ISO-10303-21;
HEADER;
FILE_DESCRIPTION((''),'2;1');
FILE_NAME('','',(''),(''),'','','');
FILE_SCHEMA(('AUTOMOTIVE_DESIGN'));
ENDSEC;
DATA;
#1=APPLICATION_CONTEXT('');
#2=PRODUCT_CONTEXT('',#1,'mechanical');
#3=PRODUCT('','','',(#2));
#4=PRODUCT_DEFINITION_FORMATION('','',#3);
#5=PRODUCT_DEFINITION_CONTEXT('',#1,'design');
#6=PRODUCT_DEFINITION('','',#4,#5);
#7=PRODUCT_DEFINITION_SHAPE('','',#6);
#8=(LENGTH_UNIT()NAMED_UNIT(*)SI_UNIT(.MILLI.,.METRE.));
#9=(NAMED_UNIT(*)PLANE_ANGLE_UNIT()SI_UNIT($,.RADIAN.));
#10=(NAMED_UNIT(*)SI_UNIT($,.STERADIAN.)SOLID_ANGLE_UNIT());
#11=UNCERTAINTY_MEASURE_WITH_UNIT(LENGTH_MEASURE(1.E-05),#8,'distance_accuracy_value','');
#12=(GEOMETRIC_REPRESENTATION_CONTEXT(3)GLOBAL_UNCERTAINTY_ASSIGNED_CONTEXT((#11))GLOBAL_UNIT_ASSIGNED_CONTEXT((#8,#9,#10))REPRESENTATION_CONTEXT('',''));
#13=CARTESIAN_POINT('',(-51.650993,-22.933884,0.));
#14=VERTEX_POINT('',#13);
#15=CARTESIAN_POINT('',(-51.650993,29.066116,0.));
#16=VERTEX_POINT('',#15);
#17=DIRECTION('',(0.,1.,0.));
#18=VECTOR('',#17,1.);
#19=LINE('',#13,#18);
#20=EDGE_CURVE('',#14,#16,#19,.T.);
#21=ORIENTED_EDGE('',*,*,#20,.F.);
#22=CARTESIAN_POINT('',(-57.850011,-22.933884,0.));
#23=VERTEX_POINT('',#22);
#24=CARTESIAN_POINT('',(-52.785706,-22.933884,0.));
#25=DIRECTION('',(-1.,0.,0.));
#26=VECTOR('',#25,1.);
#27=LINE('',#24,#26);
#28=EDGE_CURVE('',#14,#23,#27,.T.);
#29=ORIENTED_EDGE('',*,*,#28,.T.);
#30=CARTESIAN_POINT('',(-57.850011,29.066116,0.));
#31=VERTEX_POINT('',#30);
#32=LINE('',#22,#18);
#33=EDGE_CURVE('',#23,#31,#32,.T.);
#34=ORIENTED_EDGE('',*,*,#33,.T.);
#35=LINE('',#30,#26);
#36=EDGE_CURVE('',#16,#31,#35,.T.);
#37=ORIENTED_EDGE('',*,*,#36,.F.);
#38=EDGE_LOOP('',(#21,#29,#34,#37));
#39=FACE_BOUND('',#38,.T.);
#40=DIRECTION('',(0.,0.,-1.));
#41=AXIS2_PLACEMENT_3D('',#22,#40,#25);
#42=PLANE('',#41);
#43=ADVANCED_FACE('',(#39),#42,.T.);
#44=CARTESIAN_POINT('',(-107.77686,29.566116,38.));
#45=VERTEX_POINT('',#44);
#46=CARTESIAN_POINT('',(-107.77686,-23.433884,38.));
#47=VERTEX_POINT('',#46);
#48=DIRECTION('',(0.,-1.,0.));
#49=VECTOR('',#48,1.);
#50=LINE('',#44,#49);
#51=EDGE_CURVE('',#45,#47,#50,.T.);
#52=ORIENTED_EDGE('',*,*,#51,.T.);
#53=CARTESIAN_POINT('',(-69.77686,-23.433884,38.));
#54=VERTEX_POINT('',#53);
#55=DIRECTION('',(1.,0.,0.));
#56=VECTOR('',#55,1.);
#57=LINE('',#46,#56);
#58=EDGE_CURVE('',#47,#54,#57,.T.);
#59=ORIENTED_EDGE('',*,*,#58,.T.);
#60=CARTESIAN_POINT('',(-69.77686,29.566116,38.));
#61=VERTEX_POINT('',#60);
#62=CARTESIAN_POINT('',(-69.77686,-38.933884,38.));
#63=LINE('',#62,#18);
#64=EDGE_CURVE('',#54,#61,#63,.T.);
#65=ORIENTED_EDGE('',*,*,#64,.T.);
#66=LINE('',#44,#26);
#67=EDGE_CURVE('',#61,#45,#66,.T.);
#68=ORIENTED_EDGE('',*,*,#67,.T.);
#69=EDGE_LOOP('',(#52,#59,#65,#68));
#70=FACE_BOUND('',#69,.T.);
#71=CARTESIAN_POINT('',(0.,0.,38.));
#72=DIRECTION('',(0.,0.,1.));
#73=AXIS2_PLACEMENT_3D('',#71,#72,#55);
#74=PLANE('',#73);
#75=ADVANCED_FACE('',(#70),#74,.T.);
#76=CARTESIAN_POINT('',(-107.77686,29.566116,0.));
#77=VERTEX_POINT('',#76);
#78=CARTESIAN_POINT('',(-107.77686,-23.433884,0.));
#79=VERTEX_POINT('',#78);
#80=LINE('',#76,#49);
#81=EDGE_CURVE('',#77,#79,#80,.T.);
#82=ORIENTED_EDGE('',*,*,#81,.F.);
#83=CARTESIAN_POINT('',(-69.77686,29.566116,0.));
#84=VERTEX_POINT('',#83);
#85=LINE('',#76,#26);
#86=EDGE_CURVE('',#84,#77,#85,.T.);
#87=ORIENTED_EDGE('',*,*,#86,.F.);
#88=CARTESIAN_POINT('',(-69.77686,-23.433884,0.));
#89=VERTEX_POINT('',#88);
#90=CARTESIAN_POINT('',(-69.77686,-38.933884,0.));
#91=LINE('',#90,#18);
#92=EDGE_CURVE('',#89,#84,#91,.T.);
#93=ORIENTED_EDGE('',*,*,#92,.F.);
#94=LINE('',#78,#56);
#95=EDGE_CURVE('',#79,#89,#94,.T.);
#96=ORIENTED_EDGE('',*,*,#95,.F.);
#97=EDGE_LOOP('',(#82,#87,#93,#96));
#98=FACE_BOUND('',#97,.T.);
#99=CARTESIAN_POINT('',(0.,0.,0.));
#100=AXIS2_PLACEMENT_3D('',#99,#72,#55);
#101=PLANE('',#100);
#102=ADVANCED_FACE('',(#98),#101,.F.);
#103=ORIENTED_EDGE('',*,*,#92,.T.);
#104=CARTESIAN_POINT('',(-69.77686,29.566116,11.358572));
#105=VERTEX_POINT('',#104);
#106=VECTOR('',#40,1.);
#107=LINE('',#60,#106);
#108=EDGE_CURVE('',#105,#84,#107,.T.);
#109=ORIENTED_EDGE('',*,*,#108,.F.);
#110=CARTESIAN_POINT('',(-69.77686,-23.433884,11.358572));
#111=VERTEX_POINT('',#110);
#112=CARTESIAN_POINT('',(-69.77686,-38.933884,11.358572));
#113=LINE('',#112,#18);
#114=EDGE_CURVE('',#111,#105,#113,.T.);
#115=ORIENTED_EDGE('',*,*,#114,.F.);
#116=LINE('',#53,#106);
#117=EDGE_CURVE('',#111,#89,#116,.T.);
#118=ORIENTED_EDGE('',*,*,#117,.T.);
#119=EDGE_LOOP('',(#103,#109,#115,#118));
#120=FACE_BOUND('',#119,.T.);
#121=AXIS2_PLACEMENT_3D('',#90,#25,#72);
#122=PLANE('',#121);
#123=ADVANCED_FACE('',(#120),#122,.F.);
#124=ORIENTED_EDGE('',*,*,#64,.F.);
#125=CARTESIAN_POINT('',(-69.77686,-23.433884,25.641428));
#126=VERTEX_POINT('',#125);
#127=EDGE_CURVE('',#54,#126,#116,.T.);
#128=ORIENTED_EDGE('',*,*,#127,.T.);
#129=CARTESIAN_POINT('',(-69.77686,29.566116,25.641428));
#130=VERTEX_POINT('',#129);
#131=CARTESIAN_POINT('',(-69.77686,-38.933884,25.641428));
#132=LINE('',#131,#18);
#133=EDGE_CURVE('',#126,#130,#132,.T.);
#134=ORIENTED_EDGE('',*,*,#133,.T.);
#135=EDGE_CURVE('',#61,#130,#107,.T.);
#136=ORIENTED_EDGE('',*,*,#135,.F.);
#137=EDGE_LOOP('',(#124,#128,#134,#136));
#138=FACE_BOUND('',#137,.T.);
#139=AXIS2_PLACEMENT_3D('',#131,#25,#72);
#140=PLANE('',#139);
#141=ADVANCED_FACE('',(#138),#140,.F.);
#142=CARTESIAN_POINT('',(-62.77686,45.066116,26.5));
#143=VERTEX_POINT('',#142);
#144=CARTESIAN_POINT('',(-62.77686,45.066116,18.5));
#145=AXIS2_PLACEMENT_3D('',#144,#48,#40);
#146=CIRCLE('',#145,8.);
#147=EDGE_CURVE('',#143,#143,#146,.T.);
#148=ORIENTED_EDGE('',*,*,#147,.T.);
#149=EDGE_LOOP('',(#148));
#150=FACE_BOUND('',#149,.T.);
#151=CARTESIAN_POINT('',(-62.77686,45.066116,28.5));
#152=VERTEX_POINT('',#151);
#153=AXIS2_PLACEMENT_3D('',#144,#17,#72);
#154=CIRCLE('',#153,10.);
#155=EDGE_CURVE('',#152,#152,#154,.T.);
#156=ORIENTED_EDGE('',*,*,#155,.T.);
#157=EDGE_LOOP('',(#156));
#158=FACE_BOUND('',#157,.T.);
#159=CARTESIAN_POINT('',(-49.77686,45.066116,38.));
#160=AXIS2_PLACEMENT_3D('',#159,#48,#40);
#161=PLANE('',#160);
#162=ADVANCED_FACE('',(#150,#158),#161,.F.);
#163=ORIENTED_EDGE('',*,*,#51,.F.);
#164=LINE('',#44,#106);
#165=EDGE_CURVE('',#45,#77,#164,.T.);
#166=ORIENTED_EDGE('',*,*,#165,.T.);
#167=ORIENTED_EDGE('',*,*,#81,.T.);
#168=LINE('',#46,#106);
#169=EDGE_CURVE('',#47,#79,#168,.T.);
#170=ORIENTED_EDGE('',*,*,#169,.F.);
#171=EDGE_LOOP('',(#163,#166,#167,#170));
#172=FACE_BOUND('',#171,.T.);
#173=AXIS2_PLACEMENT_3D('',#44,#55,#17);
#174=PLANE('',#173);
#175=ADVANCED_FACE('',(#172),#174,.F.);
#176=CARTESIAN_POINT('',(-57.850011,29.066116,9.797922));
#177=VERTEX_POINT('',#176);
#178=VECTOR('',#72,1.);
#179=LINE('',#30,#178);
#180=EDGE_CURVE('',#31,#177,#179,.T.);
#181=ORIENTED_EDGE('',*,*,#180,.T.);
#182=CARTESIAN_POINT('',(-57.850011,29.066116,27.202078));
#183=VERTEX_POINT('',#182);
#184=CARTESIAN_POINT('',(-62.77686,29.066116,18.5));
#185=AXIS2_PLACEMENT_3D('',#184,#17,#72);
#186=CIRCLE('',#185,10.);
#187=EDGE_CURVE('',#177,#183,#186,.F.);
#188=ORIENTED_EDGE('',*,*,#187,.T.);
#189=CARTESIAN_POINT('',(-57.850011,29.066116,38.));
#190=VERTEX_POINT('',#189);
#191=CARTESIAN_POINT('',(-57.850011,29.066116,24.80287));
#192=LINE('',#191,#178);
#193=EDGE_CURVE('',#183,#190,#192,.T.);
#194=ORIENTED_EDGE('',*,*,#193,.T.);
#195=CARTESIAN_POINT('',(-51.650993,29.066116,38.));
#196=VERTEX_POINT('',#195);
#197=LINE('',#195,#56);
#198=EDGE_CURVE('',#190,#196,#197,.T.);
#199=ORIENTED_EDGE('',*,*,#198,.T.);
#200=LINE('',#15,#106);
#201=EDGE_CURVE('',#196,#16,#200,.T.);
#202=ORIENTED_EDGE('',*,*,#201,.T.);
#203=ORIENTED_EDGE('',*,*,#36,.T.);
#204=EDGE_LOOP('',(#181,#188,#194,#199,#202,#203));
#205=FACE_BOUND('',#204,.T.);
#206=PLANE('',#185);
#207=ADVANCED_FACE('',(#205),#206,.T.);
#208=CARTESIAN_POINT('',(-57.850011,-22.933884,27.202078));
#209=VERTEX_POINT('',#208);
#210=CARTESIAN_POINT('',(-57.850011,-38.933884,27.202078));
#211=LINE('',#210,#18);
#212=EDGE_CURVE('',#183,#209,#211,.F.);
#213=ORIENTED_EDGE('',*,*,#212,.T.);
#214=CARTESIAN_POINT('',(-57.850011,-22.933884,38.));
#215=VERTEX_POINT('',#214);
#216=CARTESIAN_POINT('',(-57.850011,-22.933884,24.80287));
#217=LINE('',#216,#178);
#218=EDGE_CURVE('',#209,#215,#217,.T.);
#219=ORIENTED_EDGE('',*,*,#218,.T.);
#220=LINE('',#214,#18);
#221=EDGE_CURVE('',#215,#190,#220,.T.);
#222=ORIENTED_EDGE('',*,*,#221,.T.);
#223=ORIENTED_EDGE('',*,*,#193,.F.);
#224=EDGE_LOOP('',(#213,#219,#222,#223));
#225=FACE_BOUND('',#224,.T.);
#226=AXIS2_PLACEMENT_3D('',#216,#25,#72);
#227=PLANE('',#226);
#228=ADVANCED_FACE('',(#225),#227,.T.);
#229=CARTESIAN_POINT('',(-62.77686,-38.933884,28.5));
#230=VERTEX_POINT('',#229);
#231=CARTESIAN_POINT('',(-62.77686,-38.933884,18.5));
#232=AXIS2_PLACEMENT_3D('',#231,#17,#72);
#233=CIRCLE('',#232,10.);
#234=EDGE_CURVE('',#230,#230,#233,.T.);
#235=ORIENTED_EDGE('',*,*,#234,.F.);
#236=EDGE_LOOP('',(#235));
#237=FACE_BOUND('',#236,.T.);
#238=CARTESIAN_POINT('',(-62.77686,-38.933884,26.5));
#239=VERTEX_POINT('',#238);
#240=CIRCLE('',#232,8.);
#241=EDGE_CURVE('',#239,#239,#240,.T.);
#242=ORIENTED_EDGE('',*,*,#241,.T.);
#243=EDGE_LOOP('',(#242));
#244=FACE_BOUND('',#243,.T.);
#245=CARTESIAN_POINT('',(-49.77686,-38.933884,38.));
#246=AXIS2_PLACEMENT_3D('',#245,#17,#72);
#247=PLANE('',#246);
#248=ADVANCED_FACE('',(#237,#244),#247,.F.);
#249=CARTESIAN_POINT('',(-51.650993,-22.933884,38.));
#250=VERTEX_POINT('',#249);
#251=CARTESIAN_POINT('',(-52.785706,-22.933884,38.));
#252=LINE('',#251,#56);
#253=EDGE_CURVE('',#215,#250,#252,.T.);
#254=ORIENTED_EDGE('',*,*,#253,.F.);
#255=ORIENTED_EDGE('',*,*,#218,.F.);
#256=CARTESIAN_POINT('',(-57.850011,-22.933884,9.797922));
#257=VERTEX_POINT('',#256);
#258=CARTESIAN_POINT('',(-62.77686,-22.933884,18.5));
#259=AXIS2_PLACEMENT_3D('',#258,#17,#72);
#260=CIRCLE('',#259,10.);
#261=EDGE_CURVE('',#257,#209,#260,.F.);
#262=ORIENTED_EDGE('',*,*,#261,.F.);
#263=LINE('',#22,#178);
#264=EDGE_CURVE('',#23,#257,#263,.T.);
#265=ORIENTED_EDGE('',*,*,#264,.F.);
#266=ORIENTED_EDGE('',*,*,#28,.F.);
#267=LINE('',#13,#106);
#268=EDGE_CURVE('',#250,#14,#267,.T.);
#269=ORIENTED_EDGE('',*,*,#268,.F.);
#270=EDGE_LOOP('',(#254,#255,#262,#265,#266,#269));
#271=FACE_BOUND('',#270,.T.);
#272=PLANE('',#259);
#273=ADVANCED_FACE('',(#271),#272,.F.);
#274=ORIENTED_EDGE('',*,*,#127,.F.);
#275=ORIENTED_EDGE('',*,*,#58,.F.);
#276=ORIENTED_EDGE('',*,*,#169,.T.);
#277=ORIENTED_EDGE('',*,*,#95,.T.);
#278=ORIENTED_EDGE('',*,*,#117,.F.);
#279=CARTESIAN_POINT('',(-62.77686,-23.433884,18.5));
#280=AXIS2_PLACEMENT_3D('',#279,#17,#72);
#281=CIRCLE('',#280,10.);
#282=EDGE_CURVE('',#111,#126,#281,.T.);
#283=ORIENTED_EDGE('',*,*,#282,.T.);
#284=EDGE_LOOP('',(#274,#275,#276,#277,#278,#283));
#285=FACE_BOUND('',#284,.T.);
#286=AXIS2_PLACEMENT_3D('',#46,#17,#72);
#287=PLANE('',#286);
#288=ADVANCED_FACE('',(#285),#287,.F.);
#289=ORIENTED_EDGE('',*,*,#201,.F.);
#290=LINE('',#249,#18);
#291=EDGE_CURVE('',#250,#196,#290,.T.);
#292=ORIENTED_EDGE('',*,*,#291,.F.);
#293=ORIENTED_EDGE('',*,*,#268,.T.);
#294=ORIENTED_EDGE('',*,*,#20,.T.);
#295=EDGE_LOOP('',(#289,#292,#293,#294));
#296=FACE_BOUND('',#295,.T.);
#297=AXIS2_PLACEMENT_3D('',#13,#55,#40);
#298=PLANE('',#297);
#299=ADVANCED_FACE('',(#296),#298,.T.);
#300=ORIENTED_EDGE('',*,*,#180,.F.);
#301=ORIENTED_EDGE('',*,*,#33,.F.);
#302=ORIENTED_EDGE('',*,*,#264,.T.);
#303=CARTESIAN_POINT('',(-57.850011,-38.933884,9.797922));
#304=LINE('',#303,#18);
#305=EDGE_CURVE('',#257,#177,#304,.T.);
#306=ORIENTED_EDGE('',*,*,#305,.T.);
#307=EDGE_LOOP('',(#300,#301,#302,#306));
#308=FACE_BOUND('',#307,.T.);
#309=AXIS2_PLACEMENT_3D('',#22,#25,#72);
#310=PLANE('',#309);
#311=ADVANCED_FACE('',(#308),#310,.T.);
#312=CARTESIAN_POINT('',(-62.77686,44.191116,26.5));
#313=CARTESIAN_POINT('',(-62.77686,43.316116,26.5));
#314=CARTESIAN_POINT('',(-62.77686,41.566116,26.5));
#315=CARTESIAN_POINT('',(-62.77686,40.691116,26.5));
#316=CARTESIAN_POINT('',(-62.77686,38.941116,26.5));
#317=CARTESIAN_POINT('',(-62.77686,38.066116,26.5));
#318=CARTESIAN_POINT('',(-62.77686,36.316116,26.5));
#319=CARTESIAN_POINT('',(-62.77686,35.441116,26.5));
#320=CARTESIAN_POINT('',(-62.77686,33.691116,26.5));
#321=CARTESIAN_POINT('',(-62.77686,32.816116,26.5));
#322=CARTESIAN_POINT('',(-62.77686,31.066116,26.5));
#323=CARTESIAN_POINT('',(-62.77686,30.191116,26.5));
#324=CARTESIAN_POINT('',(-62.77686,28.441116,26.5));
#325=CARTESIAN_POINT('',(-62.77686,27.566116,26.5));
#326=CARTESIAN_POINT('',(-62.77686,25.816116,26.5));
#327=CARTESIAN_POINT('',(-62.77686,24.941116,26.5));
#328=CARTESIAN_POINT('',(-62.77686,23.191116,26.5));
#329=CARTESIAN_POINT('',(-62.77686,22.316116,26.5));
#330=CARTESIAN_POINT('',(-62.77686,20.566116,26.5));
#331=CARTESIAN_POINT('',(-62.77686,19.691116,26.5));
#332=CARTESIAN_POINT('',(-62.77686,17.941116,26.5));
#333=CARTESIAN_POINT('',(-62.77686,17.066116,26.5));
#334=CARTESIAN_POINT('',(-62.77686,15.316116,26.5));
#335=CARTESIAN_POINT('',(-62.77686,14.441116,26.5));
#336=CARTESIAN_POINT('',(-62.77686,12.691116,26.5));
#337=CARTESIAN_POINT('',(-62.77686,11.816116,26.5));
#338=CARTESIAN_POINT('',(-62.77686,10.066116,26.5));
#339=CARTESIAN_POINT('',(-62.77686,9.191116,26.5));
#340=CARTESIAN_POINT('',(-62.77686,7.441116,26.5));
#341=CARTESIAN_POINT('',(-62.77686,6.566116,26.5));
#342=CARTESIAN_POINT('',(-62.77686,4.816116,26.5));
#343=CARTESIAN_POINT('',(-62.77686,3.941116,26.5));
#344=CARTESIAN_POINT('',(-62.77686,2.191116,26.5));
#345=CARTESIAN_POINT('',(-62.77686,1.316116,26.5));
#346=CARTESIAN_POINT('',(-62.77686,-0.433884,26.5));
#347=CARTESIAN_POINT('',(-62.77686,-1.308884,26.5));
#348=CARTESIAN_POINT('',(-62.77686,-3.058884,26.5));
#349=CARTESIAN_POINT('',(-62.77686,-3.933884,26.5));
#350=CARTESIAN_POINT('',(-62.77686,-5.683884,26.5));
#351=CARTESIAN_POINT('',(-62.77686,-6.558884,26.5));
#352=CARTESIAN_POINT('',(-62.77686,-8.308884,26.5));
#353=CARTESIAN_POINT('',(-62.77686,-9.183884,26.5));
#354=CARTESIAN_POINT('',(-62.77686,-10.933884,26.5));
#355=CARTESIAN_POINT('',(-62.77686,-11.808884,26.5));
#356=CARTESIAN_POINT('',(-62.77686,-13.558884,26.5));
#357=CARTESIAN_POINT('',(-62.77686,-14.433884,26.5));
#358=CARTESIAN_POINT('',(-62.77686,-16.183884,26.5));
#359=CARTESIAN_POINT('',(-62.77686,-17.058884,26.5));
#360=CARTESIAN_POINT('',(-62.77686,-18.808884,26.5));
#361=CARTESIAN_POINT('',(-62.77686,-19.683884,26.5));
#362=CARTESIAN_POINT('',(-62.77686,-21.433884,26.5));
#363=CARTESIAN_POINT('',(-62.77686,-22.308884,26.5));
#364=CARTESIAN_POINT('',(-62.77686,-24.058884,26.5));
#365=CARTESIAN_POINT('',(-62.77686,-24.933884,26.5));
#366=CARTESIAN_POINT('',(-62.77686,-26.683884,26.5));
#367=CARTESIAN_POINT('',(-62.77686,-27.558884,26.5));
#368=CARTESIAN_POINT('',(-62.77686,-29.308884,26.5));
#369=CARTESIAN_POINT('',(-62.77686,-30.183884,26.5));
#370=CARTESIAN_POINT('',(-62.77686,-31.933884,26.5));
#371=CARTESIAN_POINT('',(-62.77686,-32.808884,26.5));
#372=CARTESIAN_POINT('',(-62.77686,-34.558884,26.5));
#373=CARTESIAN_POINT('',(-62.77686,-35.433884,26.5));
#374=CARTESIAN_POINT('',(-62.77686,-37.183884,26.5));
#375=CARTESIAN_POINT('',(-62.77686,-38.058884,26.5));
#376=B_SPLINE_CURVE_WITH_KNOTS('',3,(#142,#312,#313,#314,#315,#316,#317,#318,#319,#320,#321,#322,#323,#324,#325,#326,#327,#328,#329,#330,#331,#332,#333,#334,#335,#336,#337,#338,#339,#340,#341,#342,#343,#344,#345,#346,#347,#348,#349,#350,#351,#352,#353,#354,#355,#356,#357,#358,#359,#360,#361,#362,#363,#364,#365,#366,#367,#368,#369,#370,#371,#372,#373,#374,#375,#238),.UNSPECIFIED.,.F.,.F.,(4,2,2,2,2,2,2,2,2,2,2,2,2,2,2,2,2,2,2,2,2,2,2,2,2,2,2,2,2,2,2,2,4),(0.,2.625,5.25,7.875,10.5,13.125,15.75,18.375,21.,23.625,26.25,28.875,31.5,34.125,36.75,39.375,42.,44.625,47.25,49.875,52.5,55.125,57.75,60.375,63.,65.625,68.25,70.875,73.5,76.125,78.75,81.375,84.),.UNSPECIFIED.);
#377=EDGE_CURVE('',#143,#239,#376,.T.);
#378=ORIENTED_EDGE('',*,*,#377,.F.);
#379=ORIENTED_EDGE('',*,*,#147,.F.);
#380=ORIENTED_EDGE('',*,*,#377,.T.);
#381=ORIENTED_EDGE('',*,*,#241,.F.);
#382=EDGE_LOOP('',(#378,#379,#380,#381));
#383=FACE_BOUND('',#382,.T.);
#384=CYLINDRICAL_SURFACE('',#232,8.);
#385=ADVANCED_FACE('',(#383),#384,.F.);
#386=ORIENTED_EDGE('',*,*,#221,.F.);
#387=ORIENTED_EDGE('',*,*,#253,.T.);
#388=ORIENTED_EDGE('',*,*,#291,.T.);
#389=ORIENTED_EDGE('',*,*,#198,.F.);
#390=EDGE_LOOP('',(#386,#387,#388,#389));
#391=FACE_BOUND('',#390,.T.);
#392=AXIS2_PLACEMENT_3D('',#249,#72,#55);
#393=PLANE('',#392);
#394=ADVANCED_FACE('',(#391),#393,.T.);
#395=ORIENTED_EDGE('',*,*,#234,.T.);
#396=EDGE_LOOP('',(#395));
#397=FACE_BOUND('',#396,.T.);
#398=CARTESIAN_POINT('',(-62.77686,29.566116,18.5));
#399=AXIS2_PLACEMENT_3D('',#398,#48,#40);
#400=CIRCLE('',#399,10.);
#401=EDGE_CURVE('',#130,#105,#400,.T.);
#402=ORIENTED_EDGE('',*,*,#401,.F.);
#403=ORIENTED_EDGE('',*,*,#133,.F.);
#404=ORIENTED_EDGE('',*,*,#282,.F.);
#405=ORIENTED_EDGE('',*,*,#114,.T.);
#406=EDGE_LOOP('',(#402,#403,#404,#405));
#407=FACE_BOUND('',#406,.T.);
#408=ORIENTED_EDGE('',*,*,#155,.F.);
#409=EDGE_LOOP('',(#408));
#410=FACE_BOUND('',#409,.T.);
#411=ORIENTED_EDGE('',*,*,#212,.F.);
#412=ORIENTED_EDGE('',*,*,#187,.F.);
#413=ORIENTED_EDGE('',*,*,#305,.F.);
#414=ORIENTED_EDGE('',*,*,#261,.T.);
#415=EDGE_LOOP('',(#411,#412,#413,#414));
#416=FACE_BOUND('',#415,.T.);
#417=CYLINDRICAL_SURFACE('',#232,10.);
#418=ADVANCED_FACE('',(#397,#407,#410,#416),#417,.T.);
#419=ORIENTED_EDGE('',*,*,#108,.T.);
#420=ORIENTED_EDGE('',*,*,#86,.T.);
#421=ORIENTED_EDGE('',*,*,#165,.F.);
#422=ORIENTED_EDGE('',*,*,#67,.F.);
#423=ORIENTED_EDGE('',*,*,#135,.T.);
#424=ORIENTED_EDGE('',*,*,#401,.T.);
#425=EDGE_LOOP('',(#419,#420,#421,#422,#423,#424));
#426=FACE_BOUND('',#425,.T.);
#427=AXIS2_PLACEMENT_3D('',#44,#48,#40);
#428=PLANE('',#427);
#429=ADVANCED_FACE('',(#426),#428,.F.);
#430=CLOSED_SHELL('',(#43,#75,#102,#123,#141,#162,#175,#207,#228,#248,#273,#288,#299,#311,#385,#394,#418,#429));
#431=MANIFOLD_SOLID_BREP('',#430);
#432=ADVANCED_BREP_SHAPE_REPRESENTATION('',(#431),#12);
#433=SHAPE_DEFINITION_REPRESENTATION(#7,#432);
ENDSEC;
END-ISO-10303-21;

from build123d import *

# Parameters (mm, degrees)
BOSS_EXTRUDE1_DEPTH     = 38
SKETCH3_R               = 10
BOSS_EXTRUDE4_DEPTH     = 84
CUT_EXTRUDE1_DEPTH      = 142.830361505
CUT_EXTRUDE1_DEPTH_BACK = 142.830361505
SKETCH4_R               = 8
CUT_EXTRUDE2_DEPTH      = 142.830361505
CUT_EXTRUDE2_DEPTH_BACK = 142.830361505
BOSS_EXTRUDE5_START     = -16
BOSS_EXTRUDE5_DEPTH     = 52


with BuildPart() as part:
    # Sketch2 → Boss-Extrude1 (new body)
    with BuildSketch(Plane.XY):
        Polygon((-107.776859504, 29.566115702), (-69.776859504, 29.566115702), (-69.776859504, 45.066115702), (-49.776859504, 45.066115702), (-49.776859504, -38.933884298), (-69.776859504, -38.933884298), (-69.776859504, -23.433884298), (-107.776859504, -23.433884298), align=None)
    extrude(amount=BOSS_EXTRUDE1_DEPTH)

    # Sketch3 → Boss-Extrude4 (add)
    with BuildSketch(Plane(origin=(0, 45.066115702, 0), x_dir=(1, 0, 0), z_dir=(0, 1, 0))):
        with Locations((-62.776859504, -18.5)):
            Circle(SKETCH3_R)
    extrude(amount=-BOSS_EXTRUDE4_DEPTH)

    # Sketch4 → Cut-Extrude1 (cut, two sides: drawn at the far end of the back side and taken through both)
    with BuildSketch(Plane(origin=(0, 45.066115702, 0), x_dir=(1, 0, 0), z_dir=(0, 1, 0)).offset(-CUT_EXTRUDE1_DEPTH_BACK)):
        with Locations(Location((-62.776859504, -18.5, 0), (0, 0, 270))):
            Circle(SKETCH4_R)
    extrude(amount=CUT_EXTRUDE1_DEPTH + CUT_EXTRUDE1_DEPTH_BACK, mode=Mode.SUBTRACT)

    # Sketch5 → Cut-Extrude2 (cut, two sides: drawn at the far end of the back side and taken through both)
    with BuildSketch(Plane(origin=(0, 45.066115702, 0), x_dir=(1, 0, 0), z_dir=(0, 1, 0)).offset(-CUT_EXTRUDE2_DEPTH_BACK)):
        with BuildLine():
            Line((-56.443650173, 0), (-69.776859504, 0))
            Line((-69.776859504, 0), (-69.776859504, -11.358571571))
            ThreePointArc((-69.776859504, -11.358571571), (-52.776859504, -18.5), (-69.776859504, -25.641428429))
            Line((-69.776859504, -25.641428429), (-69.776859504, -38))
            Line((-69.776859504, -38), (-56.443650173, -38))
            Line((-56.443650173, -38), (-49.776859504, -38))
            Line((-49.776859504, -38), (-49.776859504, 0))
            Line((-49.776859504, 0), (-56.443650173, 0))
        make_face()
    extrude(amount=CUT_EXTRUDE2_DEPTH + CUT_EXTRUDE2_DEPTH_BACK, mode=Mode.SUBTRACT)

    # Sketch6 → Boss-Extrude5 (add)
    with BuildSketch(Plane(origin=(0, 45.066115702, 0), x_dir=(1, 0, 0), z_dir=(0, 1, 0)).offset(BOSS_EXTRUDE5_START)):
        with BuildLine():
            Line((-57.850011392, 0), (-52.785705753, 0))
            Line((-52.785705753, 0), (-51.650992669, 0))
            Line((-51.650992669, 0), (-51.650992669, -38))
            Line((-51.650992669, -38), (-52.785705753, -38))
            Line((-52.785705753, -38), (-57.850011392, -38))
            Line((-57.850011392, -38), (-57.850011392, -24.802869797))
            ThreePointArc((-57.850011392, -24.802869797), (-54.776859504, -18.5), (-57.850011392, -12.197130203))
            Line((-57.850011392, -12.197130203), (-57.850011392, 0))
        make_face()
    extrude(amount=-BOSS_EXTRUDE5_DEPTH)


solid = part.part
